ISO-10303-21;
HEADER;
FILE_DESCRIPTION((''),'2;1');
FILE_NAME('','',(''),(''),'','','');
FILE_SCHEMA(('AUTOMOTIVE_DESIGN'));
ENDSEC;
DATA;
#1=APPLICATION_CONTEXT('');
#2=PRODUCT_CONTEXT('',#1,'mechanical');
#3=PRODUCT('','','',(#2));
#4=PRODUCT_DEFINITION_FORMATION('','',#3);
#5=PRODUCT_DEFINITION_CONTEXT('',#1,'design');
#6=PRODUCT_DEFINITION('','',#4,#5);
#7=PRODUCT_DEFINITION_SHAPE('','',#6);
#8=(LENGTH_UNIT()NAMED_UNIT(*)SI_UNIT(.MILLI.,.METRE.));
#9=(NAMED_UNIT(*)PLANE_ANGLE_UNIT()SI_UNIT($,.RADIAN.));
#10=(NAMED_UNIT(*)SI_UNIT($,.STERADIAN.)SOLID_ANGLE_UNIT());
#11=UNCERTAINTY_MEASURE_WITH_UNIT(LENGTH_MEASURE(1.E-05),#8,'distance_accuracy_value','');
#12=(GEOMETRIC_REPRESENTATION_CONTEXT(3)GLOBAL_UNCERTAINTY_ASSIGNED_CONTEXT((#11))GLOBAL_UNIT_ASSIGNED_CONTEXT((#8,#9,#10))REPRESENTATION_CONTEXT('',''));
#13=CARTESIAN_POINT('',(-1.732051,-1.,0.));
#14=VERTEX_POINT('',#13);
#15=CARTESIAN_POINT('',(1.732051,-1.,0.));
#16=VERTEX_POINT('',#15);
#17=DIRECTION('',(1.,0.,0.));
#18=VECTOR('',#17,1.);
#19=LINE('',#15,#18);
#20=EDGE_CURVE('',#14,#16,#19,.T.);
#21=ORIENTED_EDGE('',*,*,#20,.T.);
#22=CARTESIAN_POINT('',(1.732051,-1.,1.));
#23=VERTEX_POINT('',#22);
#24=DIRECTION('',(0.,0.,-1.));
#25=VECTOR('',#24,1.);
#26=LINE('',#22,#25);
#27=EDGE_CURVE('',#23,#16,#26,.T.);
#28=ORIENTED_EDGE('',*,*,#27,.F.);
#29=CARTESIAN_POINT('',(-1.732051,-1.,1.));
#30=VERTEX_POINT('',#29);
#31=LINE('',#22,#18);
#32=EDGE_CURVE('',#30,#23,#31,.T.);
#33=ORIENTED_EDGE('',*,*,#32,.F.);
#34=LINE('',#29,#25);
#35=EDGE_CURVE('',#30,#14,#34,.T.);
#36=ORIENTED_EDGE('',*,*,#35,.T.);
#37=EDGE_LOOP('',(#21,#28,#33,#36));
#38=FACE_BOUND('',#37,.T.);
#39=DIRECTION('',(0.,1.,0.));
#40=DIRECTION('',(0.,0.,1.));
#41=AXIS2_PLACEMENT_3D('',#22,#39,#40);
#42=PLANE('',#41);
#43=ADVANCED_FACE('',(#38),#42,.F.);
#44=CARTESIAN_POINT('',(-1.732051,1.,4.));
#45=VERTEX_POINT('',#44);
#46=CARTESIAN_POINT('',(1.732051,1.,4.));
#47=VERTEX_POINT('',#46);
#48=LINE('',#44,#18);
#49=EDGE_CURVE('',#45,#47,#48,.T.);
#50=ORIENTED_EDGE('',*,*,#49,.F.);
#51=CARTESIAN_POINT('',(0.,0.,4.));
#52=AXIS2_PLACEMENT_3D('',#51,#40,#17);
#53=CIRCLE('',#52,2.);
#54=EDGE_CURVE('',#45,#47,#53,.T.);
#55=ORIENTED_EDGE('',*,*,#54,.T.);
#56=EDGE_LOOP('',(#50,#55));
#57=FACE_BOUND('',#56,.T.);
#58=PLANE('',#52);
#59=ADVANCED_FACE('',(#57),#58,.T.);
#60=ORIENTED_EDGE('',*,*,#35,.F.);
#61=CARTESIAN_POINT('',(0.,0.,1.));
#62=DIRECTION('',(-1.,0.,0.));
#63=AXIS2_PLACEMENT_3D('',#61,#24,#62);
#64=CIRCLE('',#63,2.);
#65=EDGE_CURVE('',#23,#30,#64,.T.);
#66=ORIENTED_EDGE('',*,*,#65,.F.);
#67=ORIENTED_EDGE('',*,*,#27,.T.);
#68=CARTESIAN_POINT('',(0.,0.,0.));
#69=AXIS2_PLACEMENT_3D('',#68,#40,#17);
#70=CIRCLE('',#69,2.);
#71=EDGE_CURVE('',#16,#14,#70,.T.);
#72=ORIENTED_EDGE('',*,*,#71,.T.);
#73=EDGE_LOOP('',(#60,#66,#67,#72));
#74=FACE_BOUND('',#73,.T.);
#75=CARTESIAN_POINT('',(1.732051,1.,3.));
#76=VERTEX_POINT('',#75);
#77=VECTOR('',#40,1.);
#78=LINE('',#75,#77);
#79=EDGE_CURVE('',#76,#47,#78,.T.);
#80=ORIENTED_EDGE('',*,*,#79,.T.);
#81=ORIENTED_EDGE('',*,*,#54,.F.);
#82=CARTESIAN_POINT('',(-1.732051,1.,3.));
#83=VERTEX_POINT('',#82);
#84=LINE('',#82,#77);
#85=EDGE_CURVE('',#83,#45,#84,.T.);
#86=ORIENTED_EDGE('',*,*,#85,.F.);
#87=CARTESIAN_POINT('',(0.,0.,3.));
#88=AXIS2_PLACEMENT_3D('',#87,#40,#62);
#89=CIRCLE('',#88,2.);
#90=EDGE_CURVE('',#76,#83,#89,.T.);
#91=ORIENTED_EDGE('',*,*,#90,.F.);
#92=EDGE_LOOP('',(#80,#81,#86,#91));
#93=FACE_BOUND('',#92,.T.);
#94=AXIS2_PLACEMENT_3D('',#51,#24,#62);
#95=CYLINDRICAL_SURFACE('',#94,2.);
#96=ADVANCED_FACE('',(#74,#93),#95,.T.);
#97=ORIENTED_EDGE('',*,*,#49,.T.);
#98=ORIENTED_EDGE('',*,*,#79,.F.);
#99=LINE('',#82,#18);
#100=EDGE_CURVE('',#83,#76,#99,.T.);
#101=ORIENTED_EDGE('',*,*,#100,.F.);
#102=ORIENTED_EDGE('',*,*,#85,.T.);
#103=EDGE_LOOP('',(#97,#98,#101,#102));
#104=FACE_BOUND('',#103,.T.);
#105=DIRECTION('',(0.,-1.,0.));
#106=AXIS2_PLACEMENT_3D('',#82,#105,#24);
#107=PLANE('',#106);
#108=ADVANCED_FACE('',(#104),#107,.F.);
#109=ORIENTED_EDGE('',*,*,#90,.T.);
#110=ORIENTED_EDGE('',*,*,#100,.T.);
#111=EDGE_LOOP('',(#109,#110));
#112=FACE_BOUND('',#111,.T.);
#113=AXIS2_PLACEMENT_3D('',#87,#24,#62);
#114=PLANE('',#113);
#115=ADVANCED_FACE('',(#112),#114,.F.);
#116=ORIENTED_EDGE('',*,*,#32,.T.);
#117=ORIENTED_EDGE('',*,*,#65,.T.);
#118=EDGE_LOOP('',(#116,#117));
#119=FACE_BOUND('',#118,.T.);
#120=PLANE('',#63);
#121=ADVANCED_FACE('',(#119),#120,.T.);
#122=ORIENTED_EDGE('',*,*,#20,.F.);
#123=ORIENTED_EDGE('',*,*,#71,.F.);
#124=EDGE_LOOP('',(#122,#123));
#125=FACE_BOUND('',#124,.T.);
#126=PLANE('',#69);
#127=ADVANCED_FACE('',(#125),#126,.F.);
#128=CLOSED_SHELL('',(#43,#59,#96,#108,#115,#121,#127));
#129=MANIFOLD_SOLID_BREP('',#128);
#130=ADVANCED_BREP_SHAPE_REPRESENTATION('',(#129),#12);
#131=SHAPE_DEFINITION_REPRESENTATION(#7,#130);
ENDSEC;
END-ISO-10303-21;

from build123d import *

# Parameters (mm, degrees)
SKETCH1_R           = 2
BOSS_EXTRUDE1_DEPTH = 4
CUT_EXTRUDE2_DEPTH  = 1
CUT_EXTRUDE3_DEPTH  = 1


with BuildPart() as part:
    # Sketch1 → Boss-Extrude1 (new body)
    with BuildSketch(Plane.XY):
        Circle(SKETCH1_R)
    extrude(amount=BOSS_EXTRUDE1_DEPTH)

    # Sketch2 → Cut-Extrude2 (cut)
    with BuildSketch(Plane.XY.offset(4)):
        with BuildLine():
            Line((-1.732050808, 1), (1.732050808, 1))
            ThreePointArc((1.732050808, 1), (0, 2), (-1.732050808, 1))
        make_face()
    extrude(amount=-CUT_EXTRUDE2_DEPTH, mode=Mode.SUBTRACT)

    # Sketch4 → Cut-Extrude3 (cut)
    with BuildSketch(Plane(origin=(0, 0, 0), x_dir=(-1, 0, 0), z_dir=(0, 0, -1))):
        with BuildLine():
            Line((-1.732050808, -1), (1.732050808, -1))
            ThreePointArc((1.732050808, -1), (0, -2), (-1.732050808, -1))
        make_face()
    extrude(amount=-CUT_EXTRUDE3_DEPTH, mode=Mode.SUBTRACT)


solid = part.part
